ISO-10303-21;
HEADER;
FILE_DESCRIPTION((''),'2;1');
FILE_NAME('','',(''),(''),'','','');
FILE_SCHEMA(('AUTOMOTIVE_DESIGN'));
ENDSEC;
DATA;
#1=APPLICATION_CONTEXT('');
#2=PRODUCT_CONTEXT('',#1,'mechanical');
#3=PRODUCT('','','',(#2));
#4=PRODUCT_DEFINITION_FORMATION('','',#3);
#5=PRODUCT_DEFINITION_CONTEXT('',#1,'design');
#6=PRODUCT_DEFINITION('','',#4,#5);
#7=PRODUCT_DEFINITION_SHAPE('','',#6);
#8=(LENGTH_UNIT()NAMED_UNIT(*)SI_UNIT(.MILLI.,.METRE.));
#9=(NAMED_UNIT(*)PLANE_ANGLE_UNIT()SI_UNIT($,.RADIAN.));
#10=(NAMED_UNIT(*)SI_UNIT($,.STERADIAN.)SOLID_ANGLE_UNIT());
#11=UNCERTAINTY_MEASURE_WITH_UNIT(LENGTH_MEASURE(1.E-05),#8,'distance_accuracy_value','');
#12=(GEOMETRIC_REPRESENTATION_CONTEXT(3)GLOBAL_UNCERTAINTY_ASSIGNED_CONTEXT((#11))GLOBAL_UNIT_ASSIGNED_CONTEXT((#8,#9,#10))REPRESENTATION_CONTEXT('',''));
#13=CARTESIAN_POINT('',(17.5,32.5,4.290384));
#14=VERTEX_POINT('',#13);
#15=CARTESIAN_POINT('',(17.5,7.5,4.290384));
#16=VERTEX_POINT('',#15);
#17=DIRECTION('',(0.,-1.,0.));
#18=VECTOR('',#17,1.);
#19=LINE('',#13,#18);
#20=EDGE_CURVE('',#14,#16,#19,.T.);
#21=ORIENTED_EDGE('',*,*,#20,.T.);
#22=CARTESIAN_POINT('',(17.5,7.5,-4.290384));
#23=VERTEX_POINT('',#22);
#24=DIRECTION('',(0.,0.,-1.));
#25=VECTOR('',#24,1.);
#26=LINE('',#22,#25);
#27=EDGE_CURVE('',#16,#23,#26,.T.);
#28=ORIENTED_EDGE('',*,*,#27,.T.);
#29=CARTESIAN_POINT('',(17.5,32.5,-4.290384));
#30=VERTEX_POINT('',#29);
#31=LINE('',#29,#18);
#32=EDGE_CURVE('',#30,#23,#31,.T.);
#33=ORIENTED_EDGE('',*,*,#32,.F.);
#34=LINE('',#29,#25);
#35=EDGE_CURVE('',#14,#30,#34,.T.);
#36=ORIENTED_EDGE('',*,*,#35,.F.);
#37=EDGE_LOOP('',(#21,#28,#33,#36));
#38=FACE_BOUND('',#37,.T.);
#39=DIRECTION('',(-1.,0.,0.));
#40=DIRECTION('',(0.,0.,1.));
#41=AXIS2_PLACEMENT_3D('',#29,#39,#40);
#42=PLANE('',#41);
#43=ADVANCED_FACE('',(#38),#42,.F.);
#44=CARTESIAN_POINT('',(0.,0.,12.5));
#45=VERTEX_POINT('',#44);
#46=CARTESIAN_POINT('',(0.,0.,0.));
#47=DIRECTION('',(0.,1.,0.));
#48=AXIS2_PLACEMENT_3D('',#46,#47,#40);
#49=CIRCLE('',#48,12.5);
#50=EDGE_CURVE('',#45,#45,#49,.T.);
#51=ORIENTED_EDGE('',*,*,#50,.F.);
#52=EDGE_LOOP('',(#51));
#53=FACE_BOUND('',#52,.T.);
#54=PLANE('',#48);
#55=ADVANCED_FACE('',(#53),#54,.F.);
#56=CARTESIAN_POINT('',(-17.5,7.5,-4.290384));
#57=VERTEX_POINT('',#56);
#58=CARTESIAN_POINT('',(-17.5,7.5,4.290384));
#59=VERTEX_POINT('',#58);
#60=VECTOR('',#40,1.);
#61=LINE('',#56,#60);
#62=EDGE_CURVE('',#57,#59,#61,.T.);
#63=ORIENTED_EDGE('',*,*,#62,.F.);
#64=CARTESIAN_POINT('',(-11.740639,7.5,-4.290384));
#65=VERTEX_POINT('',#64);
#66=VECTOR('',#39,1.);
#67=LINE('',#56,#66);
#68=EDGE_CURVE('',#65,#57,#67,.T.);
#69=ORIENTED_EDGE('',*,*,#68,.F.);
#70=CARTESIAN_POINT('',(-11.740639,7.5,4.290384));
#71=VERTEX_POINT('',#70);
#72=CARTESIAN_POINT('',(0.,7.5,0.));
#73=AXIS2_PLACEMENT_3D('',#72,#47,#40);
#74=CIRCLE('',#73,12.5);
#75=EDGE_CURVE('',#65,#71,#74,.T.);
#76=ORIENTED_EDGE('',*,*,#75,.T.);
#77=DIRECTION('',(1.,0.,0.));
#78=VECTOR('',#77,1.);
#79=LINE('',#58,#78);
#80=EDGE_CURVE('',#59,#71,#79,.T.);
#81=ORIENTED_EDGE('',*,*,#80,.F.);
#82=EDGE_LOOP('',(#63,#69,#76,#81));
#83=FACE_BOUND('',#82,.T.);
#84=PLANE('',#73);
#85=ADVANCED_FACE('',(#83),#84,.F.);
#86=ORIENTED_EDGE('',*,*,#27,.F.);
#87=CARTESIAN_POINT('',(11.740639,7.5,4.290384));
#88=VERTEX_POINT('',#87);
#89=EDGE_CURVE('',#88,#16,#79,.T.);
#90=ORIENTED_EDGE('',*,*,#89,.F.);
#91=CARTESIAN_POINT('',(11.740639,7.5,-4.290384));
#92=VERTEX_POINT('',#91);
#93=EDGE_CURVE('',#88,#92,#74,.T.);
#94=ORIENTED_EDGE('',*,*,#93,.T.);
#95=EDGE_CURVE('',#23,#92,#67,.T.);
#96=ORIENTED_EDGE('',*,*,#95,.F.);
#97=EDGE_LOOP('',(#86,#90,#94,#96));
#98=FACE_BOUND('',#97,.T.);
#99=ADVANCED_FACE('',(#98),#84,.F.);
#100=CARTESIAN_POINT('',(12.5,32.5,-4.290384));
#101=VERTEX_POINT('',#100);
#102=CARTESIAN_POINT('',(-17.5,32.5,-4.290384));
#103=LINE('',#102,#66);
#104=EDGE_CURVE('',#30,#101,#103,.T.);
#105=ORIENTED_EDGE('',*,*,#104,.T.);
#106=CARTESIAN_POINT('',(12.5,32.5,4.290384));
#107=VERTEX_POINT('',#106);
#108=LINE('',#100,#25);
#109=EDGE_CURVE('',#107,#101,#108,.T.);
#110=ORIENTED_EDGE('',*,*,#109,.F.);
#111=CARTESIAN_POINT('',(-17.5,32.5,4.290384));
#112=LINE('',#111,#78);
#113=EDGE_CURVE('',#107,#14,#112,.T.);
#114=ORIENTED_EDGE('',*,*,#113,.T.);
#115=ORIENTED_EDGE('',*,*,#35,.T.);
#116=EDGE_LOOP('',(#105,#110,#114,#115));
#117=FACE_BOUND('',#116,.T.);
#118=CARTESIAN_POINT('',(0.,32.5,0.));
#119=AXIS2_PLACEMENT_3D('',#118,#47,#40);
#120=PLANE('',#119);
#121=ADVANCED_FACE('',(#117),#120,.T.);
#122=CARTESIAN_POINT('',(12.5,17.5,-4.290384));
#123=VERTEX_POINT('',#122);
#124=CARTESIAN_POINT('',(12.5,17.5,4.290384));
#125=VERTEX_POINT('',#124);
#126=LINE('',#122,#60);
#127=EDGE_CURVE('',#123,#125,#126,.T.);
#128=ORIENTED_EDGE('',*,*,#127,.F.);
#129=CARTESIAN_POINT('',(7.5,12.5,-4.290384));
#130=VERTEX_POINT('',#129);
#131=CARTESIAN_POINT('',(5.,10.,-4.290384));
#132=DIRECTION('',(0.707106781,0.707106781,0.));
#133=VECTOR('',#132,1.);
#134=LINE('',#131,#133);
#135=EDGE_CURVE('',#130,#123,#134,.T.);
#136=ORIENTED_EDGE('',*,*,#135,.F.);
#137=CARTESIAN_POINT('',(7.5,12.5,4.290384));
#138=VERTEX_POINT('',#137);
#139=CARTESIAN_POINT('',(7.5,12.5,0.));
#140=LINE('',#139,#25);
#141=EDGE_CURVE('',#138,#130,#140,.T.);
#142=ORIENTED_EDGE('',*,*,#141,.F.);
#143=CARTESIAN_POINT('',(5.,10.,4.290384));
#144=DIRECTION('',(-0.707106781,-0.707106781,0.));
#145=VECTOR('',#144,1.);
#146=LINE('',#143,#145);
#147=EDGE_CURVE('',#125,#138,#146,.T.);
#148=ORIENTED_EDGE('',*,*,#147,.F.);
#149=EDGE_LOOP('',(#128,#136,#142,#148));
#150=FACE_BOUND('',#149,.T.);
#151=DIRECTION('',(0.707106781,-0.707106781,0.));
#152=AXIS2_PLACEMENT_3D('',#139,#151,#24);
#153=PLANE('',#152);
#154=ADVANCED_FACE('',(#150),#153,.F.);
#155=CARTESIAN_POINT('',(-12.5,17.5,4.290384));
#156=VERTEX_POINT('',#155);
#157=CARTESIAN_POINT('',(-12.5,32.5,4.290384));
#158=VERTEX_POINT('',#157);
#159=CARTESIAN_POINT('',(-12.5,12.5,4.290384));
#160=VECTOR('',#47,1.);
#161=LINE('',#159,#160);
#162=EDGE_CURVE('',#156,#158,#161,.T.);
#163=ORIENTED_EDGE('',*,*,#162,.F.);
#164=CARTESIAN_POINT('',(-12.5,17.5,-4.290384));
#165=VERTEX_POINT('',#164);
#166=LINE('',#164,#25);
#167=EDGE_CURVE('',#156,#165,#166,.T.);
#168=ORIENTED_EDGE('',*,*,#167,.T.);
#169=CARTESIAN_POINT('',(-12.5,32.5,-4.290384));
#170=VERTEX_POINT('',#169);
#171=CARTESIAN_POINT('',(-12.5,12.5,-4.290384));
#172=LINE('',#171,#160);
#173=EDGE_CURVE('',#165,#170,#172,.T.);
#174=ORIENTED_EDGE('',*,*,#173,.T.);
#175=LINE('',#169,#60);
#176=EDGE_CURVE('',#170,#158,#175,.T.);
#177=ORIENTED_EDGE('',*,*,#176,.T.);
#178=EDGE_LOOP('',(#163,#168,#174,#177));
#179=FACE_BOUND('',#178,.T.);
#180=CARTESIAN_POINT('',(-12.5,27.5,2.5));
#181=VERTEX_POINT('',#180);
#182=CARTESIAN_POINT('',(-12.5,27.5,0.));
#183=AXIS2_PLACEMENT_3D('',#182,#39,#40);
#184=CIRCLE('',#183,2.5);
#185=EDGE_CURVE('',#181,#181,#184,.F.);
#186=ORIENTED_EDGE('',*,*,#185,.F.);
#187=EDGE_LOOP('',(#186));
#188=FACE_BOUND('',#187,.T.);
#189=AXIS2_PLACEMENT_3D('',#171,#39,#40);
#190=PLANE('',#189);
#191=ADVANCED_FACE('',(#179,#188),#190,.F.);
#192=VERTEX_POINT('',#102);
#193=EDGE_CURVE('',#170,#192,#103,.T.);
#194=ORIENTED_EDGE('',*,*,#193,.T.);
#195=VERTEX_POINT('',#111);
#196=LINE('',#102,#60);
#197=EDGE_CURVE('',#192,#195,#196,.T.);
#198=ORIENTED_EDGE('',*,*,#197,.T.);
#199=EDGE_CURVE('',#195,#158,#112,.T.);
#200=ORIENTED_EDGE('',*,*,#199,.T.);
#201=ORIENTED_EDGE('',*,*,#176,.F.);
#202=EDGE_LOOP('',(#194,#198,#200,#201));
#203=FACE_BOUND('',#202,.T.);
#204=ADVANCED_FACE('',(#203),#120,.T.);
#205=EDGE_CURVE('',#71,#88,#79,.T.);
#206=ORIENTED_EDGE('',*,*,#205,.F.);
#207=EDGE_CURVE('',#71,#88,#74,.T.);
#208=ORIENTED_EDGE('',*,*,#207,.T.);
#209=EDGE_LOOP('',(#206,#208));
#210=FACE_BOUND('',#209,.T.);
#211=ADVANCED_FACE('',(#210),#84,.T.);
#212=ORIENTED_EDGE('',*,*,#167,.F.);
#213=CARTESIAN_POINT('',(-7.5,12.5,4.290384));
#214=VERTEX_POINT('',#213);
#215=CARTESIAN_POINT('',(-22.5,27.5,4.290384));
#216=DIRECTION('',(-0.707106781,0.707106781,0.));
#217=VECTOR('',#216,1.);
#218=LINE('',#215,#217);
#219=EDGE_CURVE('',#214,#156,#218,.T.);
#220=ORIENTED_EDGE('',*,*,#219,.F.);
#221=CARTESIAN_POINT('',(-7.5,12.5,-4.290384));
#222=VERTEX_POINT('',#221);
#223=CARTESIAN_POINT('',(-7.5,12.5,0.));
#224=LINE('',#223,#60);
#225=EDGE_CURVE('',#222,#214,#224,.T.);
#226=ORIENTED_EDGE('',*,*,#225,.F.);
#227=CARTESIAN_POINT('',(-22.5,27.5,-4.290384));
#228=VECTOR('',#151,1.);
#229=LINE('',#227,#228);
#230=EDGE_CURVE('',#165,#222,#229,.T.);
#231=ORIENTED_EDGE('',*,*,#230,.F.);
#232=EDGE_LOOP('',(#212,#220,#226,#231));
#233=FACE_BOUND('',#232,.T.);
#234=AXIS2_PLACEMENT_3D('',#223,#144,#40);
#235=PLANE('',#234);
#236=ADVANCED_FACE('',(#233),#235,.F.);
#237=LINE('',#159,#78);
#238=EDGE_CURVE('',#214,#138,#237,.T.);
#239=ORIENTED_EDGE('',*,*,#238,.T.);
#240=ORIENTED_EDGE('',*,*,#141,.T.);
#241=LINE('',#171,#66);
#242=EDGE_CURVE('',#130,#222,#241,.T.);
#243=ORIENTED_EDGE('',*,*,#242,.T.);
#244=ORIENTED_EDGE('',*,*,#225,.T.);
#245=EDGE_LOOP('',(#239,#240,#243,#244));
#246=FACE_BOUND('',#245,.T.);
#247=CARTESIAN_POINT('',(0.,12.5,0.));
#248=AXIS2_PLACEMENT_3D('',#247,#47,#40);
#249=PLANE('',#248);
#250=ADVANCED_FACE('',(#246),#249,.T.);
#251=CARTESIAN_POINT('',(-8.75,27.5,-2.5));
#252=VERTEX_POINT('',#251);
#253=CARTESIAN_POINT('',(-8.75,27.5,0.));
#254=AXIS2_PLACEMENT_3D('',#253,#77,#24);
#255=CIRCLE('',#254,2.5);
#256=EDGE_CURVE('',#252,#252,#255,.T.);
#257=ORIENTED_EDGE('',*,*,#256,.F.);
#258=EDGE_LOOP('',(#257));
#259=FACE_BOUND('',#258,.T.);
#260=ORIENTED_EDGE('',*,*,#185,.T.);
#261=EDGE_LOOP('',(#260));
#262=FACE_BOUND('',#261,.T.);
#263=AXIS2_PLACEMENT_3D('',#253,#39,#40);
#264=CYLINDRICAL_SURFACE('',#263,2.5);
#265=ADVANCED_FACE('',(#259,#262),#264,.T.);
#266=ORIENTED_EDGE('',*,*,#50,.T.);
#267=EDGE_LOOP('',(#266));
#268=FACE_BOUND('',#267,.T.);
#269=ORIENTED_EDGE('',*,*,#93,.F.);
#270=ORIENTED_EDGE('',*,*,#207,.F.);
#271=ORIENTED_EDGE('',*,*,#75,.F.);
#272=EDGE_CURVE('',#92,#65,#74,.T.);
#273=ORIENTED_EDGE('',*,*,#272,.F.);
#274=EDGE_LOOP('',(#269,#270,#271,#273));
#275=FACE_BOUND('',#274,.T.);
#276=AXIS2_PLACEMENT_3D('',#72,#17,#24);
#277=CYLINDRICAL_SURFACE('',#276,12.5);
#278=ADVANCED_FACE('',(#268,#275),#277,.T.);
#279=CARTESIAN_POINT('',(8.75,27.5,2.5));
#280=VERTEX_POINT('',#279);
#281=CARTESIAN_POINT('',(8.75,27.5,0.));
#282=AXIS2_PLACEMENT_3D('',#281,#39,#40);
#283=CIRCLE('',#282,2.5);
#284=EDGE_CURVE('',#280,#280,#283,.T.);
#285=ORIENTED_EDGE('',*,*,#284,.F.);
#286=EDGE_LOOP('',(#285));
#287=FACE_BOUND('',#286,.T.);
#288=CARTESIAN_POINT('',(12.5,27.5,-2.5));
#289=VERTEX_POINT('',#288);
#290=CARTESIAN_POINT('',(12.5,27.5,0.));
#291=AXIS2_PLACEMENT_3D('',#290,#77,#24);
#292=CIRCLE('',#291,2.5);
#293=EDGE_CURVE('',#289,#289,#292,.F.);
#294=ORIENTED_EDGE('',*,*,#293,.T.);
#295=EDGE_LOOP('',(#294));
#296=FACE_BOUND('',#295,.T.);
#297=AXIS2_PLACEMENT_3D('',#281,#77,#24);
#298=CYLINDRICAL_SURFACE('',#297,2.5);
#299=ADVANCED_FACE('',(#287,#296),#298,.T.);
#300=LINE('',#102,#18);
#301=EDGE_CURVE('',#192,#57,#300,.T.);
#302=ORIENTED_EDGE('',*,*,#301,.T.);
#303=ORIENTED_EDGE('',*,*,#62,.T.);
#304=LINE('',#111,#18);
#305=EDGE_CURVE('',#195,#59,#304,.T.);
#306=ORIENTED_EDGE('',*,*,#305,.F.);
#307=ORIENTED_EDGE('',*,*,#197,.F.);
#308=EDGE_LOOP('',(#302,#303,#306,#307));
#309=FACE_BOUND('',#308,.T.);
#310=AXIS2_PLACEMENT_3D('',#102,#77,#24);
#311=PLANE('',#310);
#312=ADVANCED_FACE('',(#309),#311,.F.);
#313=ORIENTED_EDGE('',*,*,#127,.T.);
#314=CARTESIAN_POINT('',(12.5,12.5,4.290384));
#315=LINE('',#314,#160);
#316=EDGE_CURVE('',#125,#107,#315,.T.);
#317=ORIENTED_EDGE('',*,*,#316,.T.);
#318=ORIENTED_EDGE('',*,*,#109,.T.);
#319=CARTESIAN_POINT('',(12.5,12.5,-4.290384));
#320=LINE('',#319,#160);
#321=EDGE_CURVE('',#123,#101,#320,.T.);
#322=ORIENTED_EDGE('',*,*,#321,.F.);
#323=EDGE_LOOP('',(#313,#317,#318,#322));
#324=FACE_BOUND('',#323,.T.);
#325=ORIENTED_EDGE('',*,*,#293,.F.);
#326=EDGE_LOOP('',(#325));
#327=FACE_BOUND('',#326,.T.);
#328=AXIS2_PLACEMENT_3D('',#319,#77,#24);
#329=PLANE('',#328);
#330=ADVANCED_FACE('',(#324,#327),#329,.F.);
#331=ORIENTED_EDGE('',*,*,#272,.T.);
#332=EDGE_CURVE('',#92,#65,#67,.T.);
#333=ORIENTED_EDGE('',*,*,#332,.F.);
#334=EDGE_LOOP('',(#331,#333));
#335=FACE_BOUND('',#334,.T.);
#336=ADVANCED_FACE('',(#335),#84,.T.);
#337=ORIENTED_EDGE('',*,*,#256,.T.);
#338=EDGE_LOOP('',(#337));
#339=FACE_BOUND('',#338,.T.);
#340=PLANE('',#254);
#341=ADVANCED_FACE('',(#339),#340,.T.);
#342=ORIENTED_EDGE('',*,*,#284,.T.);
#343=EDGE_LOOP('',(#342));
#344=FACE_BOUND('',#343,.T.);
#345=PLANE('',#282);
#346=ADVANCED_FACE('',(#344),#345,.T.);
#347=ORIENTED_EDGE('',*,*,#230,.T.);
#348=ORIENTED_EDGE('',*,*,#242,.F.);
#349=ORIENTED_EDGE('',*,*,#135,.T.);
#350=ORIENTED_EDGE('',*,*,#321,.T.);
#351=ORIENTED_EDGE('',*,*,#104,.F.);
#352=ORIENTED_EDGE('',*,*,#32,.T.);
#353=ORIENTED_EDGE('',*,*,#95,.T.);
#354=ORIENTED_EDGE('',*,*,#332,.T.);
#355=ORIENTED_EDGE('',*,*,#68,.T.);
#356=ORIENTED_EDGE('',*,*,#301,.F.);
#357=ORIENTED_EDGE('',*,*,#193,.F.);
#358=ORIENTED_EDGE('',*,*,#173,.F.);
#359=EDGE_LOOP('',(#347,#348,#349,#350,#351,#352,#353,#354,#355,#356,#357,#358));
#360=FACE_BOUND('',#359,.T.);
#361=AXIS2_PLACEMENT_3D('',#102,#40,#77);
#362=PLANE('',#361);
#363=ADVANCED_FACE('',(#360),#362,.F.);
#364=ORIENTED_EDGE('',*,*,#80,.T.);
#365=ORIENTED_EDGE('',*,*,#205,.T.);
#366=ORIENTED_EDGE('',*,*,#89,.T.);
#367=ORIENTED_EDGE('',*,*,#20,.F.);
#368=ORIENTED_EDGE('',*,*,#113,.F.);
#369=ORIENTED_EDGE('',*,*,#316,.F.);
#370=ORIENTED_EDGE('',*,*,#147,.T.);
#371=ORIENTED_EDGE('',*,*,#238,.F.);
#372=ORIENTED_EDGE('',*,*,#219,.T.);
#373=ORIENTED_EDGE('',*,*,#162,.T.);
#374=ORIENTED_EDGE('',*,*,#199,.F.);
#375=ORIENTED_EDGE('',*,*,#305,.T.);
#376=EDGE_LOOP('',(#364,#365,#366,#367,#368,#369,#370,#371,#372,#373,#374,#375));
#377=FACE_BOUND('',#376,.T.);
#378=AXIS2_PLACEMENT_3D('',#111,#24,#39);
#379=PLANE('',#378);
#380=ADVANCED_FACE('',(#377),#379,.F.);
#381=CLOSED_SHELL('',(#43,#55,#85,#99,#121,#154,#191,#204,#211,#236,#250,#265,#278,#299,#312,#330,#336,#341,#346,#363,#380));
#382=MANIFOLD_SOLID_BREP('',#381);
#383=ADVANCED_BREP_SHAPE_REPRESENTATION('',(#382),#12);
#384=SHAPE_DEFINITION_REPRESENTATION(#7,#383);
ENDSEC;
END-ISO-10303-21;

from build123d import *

# Parameters (mm, degrees)
SKETCH1_R           = 12.5
BOSS_EXTRUDE1_DEPTH = 7.5
SKETCH2_W           = 35
SKETCH2_H           = 8.580767914
BOSS_EXTRUDE2_DEPTH = 25
SKETCH3_W           = 25
SKETCH3_H           = 8.580767914
CUT_EXTRUDE1_DEPTH  = 20
SKETCH4_R           = 2.5
BOSS_EXTRUDE3_DEPTH = 3.75
SKETCH5_R           = 2.5
BOSS_EXTRUDE4_DEPTH = 3.75
CHAMFER1_SIZE       = 5
CHAMFER2_SIZE       = 5


with BuildPart() as part:
    # Sketch1 → Boss-Extrude1 (new body)
    with BuildSketch(Plane(origin=(0, 0, 0), x_dir=(1, 0, 0), z_dir=(0, 1, 0))):
        Circle(SKETCH1_R)
    extrude(amount=BOSS_EXTRUDE1_DEPTH)

    # Sketch2 → Boss-Extrude2 (add)
    with BuildSketch(Plane(origin=(0, 7.5, 0), x_dir=(1, 0, 0), z_dir=(0, 1, 0))):
        Rectangle(SKETCH2_W, SKETCH2_H)
    extrude(amount=BOSS_EXTRUDE2_DEPTH)

    # Sketch3 → Cut-Extrude1 (cut)
    with BuildSketch(Plane(origin=(0, 32.5, 0), x_dir=(1, 0, 0), z_dir=(0, 1, 0))):
        Rectangle(SKETCH3_W, SKETCH3_H)
    extrude(amount=-CUT_EXTRUDE1_DEPTH, mode=Mode.SUBTRACT)

    # Sketch4 → Boss-Extrude3 (add)
    with BuildSketch(Plane(origin=(-12.5, 0, 0), x_dir=(0, 0, -1), z_dir=(1, 0, 0))):
        with Locations((0, 27.5)):
            Circle(SKETCH4_R)
    extrude(amount=BOSS_EXTRUDE3_DEPTH)

    # Sketch5 → Boss-Extrude4 (add)
    with BuildSketch(Plane.ZY.offset(-12.5)):
        with Locations((0, 27.5)):
            Circle(SKETCH5_R)
    extrude(amount=BOSS_EXTRUDE4_DEPTH)

    # Chamfer1
    chamfer1_edges = [part.edges().sort_by_distance(p)[0] for p in [
        (-12.5, 12.5, 0),
    ]]
    chamfer(chamfer1_edges, length=CHAMFER1_SIZE)

    # Chamfer2
    chamfer2_edges = [part.edges().sort_by_distance(p)[0] for p in [
        (12.5, 12.5, 0),
    ]]
    chamfer(chamfer2_edges, length=CHAMFER2_SIZE)


solid = part.part
